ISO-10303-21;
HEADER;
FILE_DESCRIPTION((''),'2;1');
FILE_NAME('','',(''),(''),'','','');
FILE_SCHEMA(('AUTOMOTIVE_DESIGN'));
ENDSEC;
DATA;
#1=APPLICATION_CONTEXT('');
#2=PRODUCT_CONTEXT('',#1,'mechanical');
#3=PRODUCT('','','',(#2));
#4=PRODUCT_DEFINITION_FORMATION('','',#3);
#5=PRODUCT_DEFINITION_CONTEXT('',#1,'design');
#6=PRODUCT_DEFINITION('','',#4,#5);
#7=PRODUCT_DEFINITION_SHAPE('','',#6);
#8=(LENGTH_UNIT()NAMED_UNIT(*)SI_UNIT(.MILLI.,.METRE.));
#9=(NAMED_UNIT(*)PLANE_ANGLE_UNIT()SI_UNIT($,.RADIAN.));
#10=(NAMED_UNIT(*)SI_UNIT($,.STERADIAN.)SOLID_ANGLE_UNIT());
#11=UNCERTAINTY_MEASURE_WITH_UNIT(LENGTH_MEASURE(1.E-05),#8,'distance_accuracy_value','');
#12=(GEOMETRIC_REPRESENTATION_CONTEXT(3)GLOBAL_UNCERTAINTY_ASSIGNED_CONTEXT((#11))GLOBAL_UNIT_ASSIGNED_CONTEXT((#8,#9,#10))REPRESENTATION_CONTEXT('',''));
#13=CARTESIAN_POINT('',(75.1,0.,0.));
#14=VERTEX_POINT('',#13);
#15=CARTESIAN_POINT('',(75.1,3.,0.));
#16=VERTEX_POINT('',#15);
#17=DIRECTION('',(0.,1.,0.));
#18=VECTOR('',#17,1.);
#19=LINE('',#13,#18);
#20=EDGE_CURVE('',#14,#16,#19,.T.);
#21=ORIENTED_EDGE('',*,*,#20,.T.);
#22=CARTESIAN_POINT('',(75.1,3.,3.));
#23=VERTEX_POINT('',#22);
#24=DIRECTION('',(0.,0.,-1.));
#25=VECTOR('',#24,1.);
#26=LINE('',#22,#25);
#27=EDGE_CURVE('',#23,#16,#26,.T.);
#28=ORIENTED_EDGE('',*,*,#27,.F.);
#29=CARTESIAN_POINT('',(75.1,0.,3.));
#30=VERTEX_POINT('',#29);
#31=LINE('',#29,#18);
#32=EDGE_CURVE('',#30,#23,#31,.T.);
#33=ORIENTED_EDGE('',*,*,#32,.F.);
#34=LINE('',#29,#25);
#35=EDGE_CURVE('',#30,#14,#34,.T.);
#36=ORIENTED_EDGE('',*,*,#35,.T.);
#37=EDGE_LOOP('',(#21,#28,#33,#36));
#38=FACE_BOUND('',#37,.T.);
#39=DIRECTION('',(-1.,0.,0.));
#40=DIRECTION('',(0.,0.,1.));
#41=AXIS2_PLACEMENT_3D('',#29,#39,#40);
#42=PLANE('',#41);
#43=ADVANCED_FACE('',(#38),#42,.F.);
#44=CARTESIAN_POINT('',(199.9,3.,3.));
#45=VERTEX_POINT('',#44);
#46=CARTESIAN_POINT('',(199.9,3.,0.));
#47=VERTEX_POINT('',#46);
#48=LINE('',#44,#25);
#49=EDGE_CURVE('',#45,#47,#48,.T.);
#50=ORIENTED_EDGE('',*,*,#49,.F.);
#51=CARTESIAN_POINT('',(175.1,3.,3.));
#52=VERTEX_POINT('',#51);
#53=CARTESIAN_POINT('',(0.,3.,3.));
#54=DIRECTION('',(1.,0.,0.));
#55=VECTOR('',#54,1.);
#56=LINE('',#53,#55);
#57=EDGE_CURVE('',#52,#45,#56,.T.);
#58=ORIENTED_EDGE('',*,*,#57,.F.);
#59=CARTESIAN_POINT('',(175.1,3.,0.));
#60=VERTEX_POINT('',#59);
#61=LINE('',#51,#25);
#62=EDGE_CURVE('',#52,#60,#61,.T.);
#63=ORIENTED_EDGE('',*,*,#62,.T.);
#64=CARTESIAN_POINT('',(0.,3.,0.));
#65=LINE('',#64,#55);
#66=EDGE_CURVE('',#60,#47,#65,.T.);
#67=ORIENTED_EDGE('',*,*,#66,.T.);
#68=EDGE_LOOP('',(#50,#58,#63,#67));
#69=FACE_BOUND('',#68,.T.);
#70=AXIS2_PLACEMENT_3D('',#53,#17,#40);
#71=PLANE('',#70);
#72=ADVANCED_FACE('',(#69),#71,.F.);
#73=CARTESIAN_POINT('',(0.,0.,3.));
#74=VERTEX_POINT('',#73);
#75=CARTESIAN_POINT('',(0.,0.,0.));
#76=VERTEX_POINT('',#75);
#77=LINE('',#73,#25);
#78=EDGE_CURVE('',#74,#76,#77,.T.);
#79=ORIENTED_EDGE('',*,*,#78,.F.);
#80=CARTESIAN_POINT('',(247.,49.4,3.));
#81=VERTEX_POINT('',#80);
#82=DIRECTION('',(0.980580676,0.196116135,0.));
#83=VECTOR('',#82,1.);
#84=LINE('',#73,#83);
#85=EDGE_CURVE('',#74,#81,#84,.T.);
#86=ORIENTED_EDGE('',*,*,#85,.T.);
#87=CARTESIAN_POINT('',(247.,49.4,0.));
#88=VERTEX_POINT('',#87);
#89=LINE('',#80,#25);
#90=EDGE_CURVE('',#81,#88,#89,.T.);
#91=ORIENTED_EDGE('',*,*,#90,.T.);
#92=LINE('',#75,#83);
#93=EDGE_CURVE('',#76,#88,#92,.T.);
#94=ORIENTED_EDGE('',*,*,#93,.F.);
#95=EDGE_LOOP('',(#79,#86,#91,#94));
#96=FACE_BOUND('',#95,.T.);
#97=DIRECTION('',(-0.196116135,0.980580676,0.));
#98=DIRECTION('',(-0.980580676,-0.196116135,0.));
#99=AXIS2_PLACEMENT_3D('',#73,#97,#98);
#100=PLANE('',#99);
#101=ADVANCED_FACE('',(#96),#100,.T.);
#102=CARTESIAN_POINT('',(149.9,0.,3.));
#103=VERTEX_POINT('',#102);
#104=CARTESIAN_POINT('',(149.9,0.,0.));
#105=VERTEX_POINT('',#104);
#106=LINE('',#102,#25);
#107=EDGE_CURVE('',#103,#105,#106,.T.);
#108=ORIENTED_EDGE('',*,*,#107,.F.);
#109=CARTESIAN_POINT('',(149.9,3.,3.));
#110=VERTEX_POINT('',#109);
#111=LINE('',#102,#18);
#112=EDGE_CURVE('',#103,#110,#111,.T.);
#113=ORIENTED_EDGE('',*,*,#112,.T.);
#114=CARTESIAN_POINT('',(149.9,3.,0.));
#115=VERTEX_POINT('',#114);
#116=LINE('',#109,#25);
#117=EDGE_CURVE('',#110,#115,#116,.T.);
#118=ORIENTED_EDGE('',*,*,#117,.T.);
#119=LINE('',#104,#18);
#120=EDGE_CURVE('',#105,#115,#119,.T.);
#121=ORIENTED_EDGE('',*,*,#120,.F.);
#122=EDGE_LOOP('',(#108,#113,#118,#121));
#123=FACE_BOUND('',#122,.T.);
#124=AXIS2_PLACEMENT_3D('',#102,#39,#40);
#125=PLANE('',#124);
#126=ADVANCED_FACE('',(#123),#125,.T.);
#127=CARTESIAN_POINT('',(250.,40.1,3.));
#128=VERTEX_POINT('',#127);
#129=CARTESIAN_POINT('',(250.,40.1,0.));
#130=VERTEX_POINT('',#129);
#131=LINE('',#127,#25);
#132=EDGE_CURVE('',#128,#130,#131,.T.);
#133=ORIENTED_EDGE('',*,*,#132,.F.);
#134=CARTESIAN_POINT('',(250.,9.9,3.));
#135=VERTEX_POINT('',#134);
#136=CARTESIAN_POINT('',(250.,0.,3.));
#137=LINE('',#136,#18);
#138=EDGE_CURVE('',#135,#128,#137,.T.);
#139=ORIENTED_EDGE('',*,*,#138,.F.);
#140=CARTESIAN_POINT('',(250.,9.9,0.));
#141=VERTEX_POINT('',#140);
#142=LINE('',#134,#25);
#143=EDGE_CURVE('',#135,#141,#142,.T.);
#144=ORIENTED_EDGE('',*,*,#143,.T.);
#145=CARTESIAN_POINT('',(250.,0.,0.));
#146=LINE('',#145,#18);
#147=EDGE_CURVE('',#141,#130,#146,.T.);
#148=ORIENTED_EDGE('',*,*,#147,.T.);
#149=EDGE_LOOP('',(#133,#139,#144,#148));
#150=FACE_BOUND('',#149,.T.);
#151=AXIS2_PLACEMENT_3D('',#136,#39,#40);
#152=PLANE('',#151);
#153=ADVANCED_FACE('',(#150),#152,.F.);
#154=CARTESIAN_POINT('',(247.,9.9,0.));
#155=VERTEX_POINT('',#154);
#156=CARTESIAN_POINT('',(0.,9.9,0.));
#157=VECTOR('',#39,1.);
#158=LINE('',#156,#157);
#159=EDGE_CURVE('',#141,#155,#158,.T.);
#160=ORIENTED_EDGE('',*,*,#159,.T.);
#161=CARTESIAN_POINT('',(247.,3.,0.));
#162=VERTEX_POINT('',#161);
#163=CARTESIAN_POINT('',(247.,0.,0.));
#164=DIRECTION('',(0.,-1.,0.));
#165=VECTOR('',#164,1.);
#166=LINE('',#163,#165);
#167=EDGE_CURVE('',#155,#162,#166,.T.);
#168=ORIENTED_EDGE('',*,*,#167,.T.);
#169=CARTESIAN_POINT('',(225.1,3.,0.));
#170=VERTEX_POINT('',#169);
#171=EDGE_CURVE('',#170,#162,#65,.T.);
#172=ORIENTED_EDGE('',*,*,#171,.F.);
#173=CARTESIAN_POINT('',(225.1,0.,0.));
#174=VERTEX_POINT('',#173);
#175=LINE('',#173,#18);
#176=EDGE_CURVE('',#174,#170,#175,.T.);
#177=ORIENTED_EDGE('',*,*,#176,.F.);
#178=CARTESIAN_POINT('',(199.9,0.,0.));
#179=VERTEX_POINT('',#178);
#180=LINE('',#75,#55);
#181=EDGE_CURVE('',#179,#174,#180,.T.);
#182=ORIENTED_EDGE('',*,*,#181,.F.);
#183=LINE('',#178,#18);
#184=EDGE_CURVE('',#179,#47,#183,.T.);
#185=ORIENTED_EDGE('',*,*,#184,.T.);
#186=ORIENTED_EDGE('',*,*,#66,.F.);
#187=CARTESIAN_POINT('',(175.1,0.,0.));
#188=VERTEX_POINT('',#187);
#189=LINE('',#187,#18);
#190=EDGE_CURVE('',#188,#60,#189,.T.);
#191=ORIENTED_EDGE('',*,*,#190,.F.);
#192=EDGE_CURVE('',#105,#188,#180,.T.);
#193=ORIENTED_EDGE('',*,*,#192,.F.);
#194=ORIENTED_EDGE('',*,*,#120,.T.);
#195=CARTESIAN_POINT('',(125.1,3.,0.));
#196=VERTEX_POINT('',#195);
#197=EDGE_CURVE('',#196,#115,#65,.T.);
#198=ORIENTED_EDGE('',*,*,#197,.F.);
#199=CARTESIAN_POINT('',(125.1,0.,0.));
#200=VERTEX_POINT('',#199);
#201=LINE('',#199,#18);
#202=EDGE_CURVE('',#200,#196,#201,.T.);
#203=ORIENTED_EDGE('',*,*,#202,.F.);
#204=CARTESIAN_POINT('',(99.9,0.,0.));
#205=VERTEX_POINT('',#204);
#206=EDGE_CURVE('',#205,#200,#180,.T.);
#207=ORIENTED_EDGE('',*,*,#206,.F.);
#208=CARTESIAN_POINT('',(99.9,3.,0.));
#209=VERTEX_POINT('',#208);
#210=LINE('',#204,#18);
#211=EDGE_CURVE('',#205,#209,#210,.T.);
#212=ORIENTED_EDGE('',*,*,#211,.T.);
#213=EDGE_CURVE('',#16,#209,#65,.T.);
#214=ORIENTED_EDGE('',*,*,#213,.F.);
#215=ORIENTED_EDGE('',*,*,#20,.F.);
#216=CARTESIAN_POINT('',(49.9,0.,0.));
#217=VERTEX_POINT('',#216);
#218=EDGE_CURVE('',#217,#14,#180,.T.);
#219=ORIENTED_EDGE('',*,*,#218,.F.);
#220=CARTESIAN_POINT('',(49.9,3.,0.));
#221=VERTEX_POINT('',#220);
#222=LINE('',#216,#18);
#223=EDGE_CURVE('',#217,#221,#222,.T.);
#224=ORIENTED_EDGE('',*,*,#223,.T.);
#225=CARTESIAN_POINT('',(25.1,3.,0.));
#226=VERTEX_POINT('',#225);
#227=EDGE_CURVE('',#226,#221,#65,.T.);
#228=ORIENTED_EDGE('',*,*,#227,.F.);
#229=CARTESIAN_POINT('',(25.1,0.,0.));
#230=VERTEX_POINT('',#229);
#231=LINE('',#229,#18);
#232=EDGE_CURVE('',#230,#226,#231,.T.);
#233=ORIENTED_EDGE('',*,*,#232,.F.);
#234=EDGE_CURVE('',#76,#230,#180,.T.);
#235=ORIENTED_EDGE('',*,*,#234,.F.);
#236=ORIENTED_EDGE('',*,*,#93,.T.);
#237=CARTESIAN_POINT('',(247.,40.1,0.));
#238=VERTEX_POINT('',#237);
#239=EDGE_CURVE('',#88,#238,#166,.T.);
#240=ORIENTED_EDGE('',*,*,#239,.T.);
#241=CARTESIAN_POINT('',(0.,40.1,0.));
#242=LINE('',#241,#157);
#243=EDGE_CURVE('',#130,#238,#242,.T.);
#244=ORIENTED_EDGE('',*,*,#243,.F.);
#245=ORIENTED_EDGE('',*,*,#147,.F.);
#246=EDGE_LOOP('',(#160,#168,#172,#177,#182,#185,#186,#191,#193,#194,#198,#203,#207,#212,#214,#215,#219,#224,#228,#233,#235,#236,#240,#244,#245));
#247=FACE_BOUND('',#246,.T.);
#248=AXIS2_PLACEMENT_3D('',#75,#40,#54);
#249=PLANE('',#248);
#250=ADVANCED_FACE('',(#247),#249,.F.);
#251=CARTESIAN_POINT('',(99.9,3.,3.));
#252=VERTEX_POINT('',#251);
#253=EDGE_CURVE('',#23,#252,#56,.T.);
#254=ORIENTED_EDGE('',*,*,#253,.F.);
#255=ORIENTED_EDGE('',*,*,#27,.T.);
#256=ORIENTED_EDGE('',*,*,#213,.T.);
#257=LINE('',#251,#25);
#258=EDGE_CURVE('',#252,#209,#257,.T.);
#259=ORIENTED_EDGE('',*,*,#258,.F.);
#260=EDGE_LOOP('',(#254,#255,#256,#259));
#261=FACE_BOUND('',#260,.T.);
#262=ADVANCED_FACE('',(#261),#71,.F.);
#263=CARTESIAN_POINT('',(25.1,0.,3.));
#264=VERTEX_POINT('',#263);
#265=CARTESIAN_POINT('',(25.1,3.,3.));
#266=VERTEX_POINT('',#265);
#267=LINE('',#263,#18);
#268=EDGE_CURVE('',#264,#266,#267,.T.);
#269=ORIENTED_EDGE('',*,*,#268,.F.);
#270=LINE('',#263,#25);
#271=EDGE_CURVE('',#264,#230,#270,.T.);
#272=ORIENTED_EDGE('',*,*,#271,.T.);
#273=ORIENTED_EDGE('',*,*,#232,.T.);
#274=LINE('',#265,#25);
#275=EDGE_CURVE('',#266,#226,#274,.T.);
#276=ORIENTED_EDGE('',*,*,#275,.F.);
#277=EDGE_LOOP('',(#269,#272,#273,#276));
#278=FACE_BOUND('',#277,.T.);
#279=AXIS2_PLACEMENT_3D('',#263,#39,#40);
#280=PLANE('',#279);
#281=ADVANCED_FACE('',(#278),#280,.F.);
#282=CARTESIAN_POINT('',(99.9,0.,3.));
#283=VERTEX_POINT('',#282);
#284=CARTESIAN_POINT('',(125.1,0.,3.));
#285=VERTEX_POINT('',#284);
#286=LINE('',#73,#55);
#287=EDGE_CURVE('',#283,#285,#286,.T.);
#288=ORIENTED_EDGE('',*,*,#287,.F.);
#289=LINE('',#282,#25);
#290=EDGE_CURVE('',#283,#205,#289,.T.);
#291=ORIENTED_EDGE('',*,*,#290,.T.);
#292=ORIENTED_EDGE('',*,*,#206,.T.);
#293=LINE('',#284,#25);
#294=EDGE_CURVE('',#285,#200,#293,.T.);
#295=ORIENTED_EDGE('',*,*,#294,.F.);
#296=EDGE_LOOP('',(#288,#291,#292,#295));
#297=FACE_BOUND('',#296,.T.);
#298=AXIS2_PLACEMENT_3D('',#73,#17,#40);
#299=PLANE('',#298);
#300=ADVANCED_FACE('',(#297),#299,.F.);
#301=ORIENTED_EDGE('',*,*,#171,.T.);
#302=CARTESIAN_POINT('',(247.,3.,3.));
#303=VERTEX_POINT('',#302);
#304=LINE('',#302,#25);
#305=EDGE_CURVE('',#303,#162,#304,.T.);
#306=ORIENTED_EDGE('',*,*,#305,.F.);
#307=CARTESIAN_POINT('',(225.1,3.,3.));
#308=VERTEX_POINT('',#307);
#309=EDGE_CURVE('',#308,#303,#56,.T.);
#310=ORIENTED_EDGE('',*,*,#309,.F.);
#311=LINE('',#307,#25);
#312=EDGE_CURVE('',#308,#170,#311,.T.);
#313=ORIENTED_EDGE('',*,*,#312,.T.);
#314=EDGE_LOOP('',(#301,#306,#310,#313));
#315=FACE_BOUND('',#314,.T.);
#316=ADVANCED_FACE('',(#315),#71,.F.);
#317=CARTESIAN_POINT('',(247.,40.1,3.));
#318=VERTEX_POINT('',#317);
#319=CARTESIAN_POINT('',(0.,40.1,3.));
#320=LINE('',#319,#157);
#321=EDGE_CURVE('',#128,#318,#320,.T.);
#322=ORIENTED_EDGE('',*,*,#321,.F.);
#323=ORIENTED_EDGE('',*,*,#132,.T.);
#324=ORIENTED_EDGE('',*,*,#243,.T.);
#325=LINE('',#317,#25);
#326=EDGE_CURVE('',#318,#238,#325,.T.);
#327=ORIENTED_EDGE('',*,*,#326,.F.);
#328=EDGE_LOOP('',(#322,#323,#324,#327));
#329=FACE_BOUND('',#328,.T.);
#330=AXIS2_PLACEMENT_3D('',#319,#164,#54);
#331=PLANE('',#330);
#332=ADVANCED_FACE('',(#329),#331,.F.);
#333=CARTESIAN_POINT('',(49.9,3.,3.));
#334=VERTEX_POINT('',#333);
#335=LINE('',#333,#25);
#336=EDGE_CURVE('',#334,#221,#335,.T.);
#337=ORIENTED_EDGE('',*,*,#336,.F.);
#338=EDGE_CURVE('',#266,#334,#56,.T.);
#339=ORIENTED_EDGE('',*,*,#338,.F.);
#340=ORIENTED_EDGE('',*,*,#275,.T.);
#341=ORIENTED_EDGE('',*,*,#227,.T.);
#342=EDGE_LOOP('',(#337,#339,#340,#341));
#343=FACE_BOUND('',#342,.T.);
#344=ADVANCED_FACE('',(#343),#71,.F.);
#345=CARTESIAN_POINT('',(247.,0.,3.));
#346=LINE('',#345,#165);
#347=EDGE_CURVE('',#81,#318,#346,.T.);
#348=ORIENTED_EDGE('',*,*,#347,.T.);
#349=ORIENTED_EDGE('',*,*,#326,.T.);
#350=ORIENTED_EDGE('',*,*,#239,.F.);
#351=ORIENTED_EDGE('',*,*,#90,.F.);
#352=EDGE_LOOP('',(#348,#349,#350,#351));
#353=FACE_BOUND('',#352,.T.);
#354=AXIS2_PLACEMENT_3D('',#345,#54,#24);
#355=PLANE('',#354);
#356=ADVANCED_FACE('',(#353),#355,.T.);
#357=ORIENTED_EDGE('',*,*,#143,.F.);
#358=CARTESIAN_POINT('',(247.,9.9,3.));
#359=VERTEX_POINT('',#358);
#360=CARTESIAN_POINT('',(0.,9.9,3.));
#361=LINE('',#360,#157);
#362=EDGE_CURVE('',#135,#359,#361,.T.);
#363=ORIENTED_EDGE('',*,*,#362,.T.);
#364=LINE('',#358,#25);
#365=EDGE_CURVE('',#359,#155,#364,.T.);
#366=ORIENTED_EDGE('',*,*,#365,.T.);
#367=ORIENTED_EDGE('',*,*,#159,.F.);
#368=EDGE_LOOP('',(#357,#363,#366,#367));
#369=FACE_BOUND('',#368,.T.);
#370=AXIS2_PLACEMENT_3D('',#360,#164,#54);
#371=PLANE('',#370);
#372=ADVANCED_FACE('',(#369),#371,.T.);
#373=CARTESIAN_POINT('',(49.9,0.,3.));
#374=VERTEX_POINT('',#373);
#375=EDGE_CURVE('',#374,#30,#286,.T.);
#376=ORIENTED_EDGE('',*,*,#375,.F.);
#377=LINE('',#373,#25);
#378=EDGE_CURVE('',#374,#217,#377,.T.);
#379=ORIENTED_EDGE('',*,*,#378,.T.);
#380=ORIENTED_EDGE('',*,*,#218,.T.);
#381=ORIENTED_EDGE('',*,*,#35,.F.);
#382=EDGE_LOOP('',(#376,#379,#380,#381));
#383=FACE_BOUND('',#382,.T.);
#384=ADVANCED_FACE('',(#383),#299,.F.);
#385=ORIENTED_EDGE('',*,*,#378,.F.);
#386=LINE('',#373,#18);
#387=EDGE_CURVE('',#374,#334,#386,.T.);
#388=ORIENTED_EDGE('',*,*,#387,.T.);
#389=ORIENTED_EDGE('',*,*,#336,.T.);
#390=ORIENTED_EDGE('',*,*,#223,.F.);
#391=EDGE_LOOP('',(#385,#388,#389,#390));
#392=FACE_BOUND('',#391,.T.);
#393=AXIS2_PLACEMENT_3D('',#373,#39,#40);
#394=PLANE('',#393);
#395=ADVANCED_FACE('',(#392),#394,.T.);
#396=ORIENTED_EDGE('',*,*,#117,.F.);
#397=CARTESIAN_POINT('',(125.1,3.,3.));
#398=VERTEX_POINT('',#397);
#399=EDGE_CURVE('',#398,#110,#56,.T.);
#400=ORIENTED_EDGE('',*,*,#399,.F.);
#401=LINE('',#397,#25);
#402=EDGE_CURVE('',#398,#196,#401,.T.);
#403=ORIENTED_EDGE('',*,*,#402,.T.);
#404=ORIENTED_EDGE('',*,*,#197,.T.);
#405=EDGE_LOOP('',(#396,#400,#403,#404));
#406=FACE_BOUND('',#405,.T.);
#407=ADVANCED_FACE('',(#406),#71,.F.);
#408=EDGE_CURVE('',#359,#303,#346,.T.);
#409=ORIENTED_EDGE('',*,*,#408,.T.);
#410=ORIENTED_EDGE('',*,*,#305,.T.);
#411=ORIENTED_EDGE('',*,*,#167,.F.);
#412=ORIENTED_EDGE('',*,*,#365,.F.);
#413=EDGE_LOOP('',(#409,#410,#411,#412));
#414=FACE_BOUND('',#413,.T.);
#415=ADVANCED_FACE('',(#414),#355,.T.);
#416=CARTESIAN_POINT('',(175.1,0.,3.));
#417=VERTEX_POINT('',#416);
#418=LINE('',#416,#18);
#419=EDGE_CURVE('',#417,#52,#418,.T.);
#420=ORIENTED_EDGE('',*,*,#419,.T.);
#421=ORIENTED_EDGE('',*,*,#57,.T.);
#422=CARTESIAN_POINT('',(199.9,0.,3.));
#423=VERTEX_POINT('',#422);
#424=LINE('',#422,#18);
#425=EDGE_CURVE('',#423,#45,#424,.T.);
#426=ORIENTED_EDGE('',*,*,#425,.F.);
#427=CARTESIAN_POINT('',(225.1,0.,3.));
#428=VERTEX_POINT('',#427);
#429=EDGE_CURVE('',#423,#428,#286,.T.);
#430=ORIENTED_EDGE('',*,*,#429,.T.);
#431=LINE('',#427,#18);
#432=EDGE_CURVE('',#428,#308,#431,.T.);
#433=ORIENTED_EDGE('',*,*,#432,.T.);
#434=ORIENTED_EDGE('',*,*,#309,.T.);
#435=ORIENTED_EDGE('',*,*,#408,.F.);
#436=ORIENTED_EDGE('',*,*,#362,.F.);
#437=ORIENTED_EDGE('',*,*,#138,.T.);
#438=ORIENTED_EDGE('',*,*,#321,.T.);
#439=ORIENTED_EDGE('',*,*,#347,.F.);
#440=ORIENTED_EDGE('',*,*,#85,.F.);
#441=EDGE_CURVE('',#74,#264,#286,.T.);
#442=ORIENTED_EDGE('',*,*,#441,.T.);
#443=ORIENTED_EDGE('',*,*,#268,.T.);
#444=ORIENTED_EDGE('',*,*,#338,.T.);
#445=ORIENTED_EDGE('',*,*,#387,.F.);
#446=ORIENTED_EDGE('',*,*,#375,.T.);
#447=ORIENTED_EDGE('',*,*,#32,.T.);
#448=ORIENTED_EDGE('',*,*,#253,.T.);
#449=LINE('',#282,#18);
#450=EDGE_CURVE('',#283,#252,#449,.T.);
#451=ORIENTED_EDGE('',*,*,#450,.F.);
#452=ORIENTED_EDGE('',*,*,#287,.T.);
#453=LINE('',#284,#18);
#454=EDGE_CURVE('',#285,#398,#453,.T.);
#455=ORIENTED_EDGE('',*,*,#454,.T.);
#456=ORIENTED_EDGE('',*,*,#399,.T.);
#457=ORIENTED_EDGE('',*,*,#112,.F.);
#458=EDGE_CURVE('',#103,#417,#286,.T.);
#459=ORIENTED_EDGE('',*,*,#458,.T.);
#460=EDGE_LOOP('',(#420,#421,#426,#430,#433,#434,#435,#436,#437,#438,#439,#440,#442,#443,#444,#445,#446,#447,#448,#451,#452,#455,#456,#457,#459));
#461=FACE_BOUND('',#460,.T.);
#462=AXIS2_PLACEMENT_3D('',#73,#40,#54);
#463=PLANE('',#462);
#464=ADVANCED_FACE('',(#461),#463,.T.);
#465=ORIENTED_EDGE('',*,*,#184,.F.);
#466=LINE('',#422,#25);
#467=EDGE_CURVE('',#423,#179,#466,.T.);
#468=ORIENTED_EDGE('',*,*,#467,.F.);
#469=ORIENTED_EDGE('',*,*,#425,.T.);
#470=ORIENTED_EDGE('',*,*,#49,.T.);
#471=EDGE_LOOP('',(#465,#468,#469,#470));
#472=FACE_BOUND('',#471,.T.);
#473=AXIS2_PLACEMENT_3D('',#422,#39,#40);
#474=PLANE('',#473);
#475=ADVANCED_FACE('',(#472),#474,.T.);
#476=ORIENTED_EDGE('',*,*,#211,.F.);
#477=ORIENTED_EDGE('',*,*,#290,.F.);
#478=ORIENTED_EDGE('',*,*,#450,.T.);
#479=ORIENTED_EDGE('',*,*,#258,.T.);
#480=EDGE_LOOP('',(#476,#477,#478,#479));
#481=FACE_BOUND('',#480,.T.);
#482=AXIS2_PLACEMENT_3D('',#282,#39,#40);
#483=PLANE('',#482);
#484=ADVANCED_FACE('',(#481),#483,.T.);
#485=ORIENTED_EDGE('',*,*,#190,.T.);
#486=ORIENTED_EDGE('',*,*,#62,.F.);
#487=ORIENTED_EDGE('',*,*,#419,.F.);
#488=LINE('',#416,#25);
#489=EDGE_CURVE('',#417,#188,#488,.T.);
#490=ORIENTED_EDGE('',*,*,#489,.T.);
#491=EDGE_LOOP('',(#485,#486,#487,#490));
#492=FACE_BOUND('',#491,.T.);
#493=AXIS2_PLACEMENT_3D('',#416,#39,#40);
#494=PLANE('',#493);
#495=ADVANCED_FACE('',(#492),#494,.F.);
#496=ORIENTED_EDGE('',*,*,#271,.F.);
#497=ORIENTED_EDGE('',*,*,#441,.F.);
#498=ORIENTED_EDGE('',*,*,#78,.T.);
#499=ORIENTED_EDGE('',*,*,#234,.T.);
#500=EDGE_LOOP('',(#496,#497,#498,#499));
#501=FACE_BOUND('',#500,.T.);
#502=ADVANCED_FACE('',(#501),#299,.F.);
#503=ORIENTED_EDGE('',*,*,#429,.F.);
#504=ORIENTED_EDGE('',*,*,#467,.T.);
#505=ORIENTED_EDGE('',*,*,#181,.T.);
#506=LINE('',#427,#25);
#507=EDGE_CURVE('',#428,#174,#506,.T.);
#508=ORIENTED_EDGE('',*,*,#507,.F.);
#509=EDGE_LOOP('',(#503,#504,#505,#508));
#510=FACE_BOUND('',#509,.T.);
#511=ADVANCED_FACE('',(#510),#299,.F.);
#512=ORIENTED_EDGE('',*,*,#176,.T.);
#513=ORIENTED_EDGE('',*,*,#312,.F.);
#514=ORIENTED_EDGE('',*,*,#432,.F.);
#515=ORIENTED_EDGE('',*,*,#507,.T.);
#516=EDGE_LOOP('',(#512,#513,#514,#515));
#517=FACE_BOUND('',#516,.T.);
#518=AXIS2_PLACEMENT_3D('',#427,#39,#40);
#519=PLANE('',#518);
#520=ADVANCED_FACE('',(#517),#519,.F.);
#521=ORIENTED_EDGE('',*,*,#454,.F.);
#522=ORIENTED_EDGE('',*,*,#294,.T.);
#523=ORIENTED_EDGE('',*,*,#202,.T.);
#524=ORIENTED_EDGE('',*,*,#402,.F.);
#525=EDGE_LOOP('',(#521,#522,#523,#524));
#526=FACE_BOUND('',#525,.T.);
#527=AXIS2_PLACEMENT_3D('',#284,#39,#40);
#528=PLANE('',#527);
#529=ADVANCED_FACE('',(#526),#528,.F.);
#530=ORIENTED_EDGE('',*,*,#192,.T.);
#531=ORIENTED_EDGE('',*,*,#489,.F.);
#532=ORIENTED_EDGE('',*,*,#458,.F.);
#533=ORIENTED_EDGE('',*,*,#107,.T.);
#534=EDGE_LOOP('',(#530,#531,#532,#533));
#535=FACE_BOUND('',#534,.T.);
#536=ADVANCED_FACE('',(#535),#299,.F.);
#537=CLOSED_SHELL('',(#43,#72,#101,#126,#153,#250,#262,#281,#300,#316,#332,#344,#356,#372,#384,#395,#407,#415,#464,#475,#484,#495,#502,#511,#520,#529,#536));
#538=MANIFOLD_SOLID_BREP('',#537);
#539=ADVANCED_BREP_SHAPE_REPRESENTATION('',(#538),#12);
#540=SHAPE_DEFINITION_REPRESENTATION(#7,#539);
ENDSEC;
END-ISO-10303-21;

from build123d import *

# Parameters (mm, degrees)
SKETCH1_W           = 3
SKETCH1_H           = 30.2
BOSS_EXTRUDE1_DEPTH = 3


with BuildPart() as part:
    # Sketch1 → Boss-Extrude1 (new body)
    with BuildSketch(Plane.XY):
        Polygon((247, 49.4), (0, 0), (25.1, 0), (25.1, 3), (49.9, 3), (49.9, 0), (75.1, 0), (75.1, 3), (99.9, 3), (99.9, 0), (125.1, 0), (125.1, 3), (149.9, 3), (149.9, 0), (175.1, 0), (175.1, 3), (199.9, 3), (199.9, 0), (225.1, 0), (225.1, 3), (247, 3), (247, 9.9), (247, 40.1), align=None)
        with Locations((248.5, 25)):
            Rectangle(SKETCH1_W, SKETCH1_H)
    extrude(amount=BOSS_EXTRUDE1_DEPTH)


solid = part.part
